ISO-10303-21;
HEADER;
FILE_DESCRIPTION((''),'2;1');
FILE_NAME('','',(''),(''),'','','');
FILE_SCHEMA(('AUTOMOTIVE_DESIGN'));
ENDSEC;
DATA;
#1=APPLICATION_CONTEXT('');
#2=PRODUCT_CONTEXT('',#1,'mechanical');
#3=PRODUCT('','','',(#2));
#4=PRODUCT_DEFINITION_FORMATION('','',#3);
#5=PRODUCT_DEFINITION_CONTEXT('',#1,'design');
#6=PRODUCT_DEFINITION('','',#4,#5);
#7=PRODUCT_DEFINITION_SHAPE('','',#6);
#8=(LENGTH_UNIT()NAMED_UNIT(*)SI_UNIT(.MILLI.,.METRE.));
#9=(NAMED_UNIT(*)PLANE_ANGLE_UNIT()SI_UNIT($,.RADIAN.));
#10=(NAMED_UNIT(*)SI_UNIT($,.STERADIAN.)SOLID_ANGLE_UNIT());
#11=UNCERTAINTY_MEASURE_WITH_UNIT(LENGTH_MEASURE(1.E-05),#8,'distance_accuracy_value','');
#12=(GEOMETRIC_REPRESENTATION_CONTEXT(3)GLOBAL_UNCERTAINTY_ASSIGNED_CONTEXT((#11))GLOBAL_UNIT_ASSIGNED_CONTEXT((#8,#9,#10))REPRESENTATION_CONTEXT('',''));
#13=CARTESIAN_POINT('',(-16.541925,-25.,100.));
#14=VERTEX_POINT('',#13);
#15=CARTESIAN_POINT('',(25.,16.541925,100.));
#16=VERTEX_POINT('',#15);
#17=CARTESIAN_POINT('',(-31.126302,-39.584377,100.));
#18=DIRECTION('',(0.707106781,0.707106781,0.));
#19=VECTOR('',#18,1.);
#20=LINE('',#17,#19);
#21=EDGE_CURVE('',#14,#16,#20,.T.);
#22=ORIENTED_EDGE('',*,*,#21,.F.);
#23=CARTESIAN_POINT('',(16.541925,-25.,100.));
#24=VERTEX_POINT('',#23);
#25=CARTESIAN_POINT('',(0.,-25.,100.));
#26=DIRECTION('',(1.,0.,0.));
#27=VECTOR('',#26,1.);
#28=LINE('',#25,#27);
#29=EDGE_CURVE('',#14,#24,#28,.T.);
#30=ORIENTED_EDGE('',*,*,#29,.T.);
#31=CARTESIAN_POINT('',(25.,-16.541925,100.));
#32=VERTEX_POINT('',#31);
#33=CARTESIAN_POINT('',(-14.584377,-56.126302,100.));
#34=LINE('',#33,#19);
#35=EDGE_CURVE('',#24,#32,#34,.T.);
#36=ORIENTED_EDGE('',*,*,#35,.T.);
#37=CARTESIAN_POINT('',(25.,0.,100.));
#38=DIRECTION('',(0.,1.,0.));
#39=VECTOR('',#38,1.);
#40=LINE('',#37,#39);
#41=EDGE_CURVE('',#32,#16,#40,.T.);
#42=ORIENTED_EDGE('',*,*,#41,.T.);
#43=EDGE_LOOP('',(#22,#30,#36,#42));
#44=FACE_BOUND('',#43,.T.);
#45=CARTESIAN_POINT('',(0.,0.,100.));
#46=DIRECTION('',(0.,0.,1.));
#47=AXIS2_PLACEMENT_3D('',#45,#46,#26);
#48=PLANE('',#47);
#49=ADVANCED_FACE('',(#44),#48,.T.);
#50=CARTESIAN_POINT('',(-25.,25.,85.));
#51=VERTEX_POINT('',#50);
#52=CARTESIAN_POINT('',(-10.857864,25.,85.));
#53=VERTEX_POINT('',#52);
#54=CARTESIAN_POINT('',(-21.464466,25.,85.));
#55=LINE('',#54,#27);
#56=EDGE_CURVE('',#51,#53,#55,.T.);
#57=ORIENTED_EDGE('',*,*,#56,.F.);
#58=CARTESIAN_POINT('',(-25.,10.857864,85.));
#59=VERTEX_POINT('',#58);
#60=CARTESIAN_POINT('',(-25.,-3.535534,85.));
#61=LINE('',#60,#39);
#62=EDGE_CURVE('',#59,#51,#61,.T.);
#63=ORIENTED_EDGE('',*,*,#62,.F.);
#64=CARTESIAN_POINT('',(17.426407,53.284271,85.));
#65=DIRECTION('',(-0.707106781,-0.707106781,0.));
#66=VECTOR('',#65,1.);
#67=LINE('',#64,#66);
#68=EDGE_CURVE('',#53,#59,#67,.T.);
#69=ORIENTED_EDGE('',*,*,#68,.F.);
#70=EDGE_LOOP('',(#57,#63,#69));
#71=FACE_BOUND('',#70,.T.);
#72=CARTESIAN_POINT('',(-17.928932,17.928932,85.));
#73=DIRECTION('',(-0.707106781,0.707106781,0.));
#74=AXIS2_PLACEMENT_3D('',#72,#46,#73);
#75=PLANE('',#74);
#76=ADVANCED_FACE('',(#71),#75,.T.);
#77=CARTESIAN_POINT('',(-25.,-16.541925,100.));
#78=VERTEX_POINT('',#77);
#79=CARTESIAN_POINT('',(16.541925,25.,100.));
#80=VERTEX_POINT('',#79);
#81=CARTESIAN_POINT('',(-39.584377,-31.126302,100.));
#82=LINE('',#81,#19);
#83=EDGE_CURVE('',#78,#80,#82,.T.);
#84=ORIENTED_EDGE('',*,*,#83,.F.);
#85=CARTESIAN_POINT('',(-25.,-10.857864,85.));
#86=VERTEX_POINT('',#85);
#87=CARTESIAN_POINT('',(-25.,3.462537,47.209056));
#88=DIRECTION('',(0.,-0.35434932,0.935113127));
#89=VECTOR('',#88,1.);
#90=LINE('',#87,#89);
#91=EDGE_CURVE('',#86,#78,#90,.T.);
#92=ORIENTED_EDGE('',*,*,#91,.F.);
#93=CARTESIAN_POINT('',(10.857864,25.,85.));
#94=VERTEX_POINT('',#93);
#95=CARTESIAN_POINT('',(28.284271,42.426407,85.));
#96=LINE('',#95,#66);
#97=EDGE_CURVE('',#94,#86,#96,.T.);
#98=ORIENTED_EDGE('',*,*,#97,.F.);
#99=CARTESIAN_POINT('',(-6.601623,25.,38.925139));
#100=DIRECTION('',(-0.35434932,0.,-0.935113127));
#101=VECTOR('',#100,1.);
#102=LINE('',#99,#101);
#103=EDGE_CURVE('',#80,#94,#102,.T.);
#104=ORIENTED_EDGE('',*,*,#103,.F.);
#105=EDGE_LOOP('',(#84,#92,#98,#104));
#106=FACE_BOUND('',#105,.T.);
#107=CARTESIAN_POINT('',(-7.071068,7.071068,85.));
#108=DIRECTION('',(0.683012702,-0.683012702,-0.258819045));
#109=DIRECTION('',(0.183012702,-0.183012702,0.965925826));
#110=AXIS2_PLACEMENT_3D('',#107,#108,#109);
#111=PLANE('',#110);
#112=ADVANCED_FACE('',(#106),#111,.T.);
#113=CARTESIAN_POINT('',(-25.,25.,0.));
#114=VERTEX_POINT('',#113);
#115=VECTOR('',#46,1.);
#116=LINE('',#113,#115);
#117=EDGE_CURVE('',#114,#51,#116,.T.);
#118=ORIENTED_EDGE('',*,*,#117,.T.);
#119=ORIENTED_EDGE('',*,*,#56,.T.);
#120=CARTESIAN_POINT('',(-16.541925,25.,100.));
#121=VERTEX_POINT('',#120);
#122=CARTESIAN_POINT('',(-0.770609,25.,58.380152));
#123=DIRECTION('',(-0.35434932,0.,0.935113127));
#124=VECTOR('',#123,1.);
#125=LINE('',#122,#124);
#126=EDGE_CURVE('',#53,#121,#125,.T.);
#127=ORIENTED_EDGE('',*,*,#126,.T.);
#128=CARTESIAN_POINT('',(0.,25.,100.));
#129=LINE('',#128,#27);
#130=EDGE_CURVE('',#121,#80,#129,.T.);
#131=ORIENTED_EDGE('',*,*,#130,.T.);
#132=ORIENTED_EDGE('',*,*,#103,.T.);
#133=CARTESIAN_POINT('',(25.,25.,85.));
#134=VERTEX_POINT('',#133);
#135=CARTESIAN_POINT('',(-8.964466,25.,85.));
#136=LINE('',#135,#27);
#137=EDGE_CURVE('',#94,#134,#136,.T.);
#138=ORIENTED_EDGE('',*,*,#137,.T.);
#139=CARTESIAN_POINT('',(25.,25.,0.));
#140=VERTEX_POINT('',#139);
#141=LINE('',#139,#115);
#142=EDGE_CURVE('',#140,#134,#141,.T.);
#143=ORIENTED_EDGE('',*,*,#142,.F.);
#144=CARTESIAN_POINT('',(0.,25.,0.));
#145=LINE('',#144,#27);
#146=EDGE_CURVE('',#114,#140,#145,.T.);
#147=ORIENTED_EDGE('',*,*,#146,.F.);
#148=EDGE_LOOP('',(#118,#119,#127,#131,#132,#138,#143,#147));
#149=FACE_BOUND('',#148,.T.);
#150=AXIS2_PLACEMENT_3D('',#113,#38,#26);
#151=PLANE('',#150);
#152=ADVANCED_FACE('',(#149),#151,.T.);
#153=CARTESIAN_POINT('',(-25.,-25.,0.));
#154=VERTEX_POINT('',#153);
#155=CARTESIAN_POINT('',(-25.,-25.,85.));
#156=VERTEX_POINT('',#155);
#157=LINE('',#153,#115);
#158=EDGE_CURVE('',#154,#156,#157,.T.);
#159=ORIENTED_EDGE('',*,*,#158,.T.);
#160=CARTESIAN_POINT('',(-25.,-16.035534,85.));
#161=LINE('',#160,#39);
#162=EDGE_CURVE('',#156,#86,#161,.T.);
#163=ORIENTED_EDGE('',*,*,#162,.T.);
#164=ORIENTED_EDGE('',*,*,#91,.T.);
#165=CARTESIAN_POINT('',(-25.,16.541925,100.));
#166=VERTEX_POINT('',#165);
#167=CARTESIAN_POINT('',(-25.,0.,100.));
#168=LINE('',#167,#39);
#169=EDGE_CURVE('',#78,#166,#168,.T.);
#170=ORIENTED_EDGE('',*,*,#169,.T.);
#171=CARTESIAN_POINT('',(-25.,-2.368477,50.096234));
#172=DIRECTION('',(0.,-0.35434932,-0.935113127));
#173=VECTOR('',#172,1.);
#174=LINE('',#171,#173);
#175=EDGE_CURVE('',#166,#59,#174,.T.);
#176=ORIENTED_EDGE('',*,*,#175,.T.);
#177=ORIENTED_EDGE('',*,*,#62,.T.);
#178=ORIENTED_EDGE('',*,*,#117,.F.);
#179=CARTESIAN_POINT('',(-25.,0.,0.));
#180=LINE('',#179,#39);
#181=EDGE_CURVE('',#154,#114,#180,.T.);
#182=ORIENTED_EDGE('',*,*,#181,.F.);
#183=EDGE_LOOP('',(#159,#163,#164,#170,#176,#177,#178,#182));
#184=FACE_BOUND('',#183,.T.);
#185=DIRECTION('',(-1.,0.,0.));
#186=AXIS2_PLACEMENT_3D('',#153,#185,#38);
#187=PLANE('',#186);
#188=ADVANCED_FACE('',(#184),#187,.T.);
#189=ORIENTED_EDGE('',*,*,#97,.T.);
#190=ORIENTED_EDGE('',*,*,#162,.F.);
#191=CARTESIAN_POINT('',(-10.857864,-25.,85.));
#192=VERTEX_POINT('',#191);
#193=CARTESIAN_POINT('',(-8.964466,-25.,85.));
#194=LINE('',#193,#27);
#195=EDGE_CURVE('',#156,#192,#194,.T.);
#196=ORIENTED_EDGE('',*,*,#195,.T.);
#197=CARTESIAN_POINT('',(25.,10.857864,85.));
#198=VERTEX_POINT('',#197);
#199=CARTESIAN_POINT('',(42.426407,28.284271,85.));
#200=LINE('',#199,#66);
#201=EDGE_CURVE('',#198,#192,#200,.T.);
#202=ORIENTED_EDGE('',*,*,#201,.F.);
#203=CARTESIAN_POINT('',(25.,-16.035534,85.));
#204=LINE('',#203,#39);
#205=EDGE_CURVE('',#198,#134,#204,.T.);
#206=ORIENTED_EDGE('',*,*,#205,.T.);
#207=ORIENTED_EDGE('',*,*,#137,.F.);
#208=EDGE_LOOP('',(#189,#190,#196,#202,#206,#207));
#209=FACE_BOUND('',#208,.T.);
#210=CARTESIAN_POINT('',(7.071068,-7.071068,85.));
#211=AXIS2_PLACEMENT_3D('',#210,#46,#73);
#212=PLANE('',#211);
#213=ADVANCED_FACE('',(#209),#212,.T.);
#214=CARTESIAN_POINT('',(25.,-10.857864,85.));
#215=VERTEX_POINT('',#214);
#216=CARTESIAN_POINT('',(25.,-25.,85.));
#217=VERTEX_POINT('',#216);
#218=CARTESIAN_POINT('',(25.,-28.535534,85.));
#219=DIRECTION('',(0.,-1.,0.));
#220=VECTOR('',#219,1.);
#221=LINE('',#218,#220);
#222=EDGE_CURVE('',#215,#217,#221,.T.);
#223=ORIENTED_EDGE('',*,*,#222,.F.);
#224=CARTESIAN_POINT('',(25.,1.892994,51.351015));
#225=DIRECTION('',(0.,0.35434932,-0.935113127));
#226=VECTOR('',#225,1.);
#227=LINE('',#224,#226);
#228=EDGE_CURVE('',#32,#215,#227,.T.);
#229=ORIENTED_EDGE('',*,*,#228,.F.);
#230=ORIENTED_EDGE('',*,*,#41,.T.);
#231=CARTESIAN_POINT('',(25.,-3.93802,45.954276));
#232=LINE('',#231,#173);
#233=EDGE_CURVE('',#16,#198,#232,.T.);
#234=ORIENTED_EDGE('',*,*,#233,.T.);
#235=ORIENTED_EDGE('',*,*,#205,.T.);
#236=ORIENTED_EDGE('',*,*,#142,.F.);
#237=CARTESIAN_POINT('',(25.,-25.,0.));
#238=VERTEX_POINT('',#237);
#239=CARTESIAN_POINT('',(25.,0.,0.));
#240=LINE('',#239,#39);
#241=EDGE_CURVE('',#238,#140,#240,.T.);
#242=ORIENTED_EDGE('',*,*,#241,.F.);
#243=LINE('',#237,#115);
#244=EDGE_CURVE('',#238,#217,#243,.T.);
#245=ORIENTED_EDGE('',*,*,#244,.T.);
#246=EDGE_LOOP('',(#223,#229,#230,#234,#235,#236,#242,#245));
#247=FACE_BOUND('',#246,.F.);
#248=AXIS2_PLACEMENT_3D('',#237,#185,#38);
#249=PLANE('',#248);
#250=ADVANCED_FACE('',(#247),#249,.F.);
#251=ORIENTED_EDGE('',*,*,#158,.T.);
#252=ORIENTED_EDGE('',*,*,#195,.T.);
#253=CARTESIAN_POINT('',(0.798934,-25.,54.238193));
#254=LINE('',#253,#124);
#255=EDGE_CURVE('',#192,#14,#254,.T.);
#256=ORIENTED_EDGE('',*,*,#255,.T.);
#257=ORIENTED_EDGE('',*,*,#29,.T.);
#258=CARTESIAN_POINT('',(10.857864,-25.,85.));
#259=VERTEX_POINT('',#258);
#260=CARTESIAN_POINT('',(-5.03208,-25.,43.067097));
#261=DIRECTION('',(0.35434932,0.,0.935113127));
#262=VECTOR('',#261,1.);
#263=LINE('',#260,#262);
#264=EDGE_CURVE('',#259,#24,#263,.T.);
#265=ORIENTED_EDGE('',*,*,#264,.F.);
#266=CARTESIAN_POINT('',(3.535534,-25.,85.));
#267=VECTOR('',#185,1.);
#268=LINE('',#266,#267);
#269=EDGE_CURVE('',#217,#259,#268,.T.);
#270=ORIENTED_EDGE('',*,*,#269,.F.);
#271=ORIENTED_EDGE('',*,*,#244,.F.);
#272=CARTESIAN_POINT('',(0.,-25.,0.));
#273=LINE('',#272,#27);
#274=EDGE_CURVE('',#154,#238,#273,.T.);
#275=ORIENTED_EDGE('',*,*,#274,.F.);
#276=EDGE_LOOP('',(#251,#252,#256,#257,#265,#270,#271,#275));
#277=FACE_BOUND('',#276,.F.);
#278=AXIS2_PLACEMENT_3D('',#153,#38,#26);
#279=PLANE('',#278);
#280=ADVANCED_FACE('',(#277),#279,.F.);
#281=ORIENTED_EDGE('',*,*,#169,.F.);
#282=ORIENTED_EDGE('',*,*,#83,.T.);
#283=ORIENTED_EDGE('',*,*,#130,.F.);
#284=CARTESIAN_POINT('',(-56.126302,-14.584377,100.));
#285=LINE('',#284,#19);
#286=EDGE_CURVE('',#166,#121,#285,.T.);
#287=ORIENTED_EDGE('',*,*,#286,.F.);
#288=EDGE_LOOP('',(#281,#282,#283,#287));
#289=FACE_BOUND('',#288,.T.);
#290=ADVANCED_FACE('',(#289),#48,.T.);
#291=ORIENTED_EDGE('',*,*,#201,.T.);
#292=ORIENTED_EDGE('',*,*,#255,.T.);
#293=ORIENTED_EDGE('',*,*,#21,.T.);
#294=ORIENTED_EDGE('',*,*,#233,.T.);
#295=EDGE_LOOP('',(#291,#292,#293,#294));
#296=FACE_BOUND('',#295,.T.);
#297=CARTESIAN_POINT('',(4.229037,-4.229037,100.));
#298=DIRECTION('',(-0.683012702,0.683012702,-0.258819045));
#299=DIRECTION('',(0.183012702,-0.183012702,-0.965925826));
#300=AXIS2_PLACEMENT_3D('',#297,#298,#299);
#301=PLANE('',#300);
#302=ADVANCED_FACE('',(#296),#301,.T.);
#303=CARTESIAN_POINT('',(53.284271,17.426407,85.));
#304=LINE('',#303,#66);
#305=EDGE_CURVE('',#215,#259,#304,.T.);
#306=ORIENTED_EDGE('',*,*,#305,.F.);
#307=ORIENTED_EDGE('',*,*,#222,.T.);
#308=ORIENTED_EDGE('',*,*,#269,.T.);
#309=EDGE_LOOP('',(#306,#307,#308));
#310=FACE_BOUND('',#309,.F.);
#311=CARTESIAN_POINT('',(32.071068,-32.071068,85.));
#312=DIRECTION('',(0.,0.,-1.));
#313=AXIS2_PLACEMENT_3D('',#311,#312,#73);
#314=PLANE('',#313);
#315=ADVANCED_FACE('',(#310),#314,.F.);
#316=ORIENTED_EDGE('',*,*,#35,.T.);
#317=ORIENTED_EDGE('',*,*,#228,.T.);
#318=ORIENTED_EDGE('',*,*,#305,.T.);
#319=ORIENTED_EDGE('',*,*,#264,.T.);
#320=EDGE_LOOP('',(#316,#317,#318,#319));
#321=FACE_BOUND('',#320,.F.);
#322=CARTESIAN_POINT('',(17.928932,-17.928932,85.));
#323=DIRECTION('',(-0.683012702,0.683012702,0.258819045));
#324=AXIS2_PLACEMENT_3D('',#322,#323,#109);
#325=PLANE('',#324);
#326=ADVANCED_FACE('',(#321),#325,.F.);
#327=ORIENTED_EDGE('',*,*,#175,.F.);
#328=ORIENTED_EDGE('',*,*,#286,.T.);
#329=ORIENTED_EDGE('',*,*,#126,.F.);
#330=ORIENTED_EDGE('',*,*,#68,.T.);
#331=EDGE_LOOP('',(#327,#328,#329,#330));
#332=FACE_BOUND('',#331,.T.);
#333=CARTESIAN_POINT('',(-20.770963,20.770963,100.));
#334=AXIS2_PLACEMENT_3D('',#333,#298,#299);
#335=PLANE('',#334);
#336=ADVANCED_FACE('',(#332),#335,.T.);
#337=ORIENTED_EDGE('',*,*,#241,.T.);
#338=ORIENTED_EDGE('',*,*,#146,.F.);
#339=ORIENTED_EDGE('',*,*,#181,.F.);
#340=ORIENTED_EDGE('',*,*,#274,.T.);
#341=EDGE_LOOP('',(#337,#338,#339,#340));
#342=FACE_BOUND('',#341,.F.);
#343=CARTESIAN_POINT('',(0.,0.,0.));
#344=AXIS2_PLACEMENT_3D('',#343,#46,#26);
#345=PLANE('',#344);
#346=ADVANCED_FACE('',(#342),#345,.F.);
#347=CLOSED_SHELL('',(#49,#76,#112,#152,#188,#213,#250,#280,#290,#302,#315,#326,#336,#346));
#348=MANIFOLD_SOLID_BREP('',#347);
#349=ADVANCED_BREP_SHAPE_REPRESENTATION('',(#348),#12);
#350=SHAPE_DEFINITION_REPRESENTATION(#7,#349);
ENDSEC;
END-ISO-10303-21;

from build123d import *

# Parameters (mm, degrees)
F0_W     = 50
F0_H     = 50
F1_DEPTH = 100
F4_DEPTH = 50


with BuildPart() as f1:
    # F0 (on Top) → F1 (new body)
    with BuildSketch(Plane.XY):
        Rectangle(F0_W, F0_H)
    extrude(amount=F1_DEPTH)

    # F3 (on 3pt) → F4 (cut, symmetric)
    with BuildSketch(Plane(origin=(0, 0, 0), x_dir=(-0.7071067812, 0.7071067812, 0), z_dir=(0.7071067812, 0.7071067812, 0))):
        Polygon((10, 85), (5.9807621135, 100), (-5.9807621135, 100), (-10, 85), align=None)
        Polygon((45.3553390593, 85), (41.3361011729, 100), (29.3745769458, 100), (25.3553390593, 85), align=None)
        Polygon((-25.3553390593, 85), (-29.3745769458, 100), (-41.3361011729, 100), (-45.3553390593, 85), align=None)
    extrude(amount=F4_DEPTH, both=True, mode=Mode.SUBTRACT)


solid = f1.part
